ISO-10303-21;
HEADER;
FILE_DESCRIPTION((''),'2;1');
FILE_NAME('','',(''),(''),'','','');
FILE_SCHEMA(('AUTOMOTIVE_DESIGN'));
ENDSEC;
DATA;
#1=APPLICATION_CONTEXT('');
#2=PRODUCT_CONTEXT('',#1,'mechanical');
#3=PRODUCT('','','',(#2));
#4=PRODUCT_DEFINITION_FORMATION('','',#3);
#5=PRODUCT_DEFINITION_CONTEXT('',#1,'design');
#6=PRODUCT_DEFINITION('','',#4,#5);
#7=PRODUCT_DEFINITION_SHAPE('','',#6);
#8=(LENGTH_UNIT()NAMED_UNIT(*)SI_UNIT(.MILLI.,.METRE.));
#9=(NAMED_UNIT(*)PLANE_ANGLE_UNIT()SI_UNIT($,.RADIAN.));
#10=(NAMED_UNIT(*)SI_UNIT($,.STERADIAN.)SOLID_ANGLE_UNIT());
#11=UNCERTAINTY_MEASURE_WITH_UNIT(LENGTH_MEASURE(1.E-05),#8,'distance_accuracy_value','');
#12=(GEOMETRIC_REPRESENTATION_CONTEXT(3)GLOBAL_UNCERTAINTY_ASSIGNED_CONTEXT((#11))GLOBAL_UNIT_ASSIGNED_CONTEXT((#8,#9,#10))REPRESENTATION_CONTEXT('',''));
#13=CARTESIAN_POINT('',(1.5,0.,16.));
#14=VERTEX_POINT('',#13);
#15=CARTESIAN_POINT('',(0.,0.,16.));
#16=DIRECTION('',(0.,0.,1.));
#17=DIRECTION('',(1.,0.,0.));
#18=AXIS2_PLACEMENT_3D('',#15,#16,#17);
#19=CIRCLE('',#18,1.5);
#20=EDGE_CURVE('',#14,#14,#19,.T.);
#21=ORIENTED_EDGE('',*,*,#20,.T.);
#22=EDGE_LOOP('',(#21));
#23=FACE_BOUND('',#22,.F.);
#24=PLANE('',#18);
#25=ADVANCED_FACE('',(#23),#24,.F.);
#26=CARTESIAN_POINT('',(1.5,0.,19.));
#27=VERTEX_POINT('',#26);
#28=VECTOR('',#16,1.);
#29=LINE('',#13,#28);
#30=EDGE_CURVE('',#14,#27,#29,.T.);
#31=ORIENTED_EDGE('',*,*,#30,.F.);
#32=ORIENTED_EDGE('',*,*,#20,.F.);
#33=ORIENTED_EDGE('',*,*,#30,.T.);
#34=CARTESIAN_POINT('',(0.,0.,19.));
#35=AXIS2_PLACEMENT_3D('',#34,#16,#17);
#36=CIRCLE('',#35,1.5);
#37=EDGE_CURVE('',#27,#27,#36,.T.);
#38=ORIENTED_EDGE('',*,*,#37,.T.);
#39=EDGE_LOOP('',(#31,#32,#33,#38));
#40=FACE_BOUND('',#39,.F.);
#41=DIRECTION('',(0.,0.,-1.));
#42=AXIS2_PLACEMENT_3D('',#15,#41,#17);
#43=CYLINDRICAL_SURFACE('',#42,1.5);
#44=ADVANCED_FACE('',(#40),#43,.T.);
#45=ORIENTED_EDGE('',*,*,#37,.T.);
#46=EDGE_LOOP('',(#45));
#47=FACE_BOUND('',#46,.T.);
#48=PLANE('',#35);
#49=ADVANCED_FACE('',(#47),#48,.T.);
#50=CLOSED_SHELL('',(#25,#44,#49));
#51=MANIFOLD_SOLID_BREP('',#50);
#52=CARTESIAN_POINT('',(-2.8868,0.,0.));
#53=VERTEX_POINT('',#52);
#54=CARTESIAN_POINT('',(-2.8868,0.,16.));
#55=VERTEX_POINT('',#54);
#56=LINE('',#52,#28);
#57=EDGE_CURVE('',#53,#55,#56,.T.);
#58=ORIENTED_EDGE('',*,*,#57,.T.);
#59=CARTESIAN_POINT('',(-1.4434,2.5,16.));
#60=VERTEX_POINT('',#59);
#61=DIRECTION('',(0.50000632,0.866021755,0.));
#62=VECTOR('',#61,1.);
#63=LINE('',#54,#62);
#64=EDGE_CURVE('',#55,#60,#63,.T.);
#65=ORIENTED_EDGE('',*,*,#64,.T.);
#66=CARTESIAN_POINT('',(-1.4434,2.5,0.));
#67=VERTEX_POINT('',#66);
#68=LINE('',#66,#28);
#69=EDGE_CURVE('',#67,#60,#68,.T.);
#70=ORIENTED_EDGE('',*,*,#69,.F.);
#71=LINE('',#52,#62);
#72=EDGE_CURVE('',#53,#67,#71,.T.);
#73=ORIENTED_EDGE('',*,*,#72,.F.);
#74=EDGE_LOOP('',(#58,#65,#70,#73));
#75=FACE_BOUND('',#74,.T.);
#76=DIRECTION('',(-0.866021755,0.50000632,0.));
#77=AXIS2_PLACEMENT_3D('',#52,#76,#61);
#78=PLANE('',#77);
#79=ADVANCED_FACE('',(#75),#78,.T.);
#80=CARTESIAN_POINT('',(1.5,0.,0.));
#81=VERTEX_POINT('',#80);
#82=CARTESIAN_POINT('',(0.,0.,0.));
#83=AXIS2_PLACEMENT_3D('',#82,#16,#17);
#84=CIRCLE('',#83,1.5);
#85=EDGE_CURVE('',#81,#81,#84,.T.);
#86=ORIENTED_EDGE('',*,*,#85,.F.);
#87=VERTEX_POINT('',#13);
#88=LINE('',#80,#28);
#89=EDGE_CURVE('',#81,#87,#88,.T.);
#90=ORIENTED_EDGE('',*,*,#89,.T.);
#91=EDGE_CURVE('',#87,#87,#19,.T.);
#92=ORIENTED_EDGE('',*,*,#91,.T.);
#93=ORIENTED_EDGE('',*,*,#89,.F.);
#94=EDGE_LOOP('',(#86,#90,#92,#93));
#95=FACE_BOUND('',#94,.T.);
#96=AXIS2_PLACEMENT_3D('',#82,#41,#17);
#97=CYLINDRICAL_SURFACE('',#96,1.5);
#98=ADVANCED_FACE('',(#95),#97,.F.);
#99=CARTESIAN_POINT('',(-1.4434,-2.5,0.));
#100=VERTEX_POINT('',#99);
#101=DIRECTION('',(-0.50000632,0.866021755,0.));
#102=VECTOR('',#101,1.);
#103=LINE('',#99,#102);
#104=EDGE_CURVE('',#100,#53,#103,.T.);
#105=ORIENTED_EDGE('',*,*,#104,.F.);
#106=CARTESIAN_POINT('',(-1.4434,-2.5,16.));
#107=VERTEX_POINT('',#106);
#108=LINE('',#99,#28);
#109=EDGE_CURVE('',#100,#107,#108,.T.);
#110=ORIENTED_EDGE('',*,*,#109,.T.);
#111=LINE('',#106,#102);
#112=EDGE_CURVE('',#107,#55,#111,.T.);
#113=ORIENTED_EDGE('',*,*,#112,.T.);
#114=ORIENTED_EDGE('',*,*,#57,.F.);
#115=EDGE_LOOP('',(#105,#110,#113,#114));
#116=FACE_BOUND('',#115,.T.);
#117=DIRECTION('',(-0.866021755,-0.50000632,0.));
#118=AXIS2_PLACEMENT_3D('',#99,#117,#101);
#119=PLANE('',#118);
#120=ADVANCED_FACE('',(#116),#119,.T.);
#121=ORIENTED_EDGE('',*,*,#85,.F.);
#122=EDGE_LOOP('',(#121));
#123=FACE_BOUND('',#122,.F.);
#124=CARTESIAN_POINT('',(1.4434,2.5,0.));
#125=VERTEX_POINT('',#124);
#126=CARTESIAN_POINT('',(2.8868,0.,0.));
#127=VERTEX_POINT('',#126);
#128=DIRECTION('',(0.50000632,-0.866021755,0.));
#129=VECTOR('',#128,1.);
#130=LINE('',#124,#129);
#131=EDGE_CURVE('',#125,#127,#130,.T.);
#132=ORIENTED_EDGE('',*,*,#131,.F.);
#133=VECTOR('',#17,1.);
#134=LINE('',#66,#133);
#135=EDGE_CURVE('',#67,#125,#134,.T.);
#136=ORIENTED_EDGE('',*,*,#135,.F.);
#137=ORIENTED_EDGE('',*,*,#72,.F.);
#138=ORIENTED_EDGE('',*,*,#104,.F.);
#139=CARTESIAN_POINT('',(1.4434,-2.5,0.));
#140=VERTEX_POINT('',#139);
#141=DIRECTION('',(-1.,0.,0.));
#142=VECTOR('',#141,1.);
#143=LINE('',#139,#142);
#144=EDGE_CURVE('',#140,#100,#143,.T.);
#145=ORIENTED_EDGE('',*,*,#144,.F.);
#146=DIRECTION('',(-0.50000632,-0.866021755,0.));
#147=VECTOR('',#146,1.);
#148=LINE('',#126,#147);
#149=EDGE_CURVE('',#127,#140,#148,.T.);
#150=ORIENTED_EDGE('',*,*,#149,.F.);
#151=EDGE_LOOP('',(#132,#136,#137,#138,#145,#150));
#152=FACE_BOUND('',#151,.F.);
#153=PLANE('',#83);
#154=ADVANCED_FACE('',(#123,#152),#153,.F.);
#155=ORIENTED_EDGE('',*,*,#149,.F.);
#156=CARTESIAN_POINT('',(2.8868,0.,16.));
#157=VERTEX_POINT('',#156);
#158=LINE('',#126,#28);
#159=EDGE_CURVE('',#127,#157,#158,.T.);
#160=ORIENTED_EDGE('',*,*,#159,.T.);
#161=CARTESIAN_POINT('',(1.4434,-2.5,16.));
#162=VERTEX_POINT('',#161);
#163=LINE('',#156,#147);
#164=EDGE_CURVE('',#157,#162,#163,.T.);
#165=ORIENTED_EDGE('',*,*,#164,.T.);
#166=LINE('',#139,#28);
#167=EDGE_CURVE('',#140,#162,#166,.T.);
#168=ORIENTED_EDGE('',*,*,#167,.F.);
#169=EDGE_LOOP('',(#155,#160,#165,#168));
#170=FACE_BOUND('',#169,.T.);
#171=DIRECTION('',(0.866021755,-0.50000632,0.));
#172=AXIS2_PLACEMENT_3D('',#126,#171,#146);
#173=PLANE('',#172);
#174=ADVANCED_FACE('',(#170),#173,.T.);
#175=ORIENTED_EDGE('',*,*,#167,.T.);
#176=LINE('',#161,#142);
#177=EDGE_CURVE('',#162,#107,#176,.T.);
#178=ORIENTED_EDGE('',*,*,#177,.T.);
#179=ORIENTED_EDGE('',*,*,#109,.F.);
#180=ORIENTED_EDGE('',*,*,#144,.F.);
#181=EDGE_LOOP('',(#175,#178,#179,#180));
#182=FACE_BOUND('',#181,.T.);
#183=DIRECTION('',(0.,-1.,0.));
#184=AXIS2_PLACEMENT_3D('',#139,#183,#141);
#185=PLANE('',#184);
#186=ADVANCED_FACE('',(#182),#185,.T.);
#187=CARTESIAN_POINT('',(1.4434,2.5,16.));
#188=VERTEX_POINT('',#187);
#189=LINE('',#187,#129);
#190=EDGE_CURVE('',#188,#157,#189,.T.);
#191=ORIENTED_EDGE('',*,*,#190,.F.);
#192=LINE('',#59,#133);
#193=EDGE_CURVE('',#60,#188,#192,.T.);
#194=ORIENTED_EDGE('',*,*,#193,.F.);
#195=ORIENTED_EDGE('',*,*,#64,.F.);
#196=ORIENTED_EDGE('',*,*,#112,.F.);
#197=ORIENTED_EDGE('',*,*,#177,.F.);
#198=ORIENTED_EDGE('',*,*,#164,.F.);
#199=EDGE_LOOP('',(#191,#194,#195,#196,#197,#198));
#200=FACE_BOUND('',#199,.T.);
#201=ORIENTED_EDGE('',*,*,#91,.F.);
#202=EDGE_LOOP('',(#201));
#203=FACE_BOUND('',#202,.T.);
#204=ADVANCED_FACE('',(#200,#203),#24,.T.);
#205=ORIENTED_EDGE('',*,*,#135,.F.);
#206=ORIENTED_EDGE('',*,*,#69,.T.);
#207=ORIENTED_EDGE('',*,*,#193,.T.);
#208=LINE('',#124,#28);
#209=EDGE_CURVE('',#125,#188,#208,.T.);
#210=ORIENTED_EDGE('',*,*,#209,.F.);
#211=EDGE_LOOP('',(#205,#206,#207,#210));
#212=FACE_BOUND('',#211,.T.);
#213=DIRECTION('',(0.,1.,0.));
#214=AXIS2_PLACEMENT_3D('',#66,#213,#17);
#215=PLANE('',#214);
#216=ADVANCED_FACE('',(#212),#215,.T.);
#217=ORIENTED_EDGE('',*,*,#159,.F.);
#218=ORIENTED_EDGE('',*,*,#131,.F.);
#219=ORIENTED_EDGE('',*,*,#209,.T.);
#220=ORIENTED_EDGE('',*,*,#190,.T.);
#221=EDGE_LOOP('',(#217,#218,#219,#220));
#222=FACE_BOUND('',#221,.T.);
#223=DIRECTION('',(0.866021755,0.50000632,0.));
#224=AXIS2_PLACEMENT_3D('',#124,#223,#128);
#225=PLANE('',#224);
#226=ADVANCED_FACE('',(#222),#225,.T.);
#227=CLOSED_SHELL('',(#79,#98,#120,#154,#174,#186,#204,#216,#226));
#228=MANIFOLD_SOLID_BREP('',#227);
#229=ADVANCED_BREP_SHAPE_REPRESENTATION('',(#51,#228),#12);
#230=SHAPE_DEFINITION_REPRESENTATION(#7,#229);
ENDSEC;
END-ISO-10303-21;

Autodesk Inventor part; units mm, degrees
ref_plane "YZ Plane" through (0, 0, 0) normal (1, 0, 0) x (0, 1, 0)
ref_plane "XZ Plane" through (0, 0, 0) normal (0, 1, 0) x (-1, 0, 0)
ref_plane "XY Plane" through (0, 0, 0) normal (0, 0, 1) x (1, 0, 0)
sketch "Sketch1" plane through (0, 0, 0) normal (0, 0, 1) x (1, 0, 0)
  line L0 (1.4434, 2.5) -> (2.8868, 0)
  line L1 (2.8868, 0) -> (1.4434, -2.5)
  line L2 (1.4434, -2.5) -> (-1.4434, -2.5)
  line L3 (-1.4434, -2.5) -> (-2.8868, 0)
  line L4 (-2.8868, 0) -> (-1.4434, 2.5)
  line L5 (-1.4434, 2.5) -> (1.4434, 2.5)
  circle A0 centre (0, 0) radius 1.5
  dimension "d0" = 5
  dimension "d1" = 3
extrude "Extrusion1" add sketch "Sketch1" along normal blind 16
sketch "Sketch2" plane through (0, 0, 16) normal (0, 0, 1) x (1, 0, 0)
  circle A0 centre (0, 0) radius 1.5 projected
extrude "Extrusion2" add sketch "Sketch2" along normal blind 3
properties part number "Spacer_9mm" material "Brass, Soft Yellow"
